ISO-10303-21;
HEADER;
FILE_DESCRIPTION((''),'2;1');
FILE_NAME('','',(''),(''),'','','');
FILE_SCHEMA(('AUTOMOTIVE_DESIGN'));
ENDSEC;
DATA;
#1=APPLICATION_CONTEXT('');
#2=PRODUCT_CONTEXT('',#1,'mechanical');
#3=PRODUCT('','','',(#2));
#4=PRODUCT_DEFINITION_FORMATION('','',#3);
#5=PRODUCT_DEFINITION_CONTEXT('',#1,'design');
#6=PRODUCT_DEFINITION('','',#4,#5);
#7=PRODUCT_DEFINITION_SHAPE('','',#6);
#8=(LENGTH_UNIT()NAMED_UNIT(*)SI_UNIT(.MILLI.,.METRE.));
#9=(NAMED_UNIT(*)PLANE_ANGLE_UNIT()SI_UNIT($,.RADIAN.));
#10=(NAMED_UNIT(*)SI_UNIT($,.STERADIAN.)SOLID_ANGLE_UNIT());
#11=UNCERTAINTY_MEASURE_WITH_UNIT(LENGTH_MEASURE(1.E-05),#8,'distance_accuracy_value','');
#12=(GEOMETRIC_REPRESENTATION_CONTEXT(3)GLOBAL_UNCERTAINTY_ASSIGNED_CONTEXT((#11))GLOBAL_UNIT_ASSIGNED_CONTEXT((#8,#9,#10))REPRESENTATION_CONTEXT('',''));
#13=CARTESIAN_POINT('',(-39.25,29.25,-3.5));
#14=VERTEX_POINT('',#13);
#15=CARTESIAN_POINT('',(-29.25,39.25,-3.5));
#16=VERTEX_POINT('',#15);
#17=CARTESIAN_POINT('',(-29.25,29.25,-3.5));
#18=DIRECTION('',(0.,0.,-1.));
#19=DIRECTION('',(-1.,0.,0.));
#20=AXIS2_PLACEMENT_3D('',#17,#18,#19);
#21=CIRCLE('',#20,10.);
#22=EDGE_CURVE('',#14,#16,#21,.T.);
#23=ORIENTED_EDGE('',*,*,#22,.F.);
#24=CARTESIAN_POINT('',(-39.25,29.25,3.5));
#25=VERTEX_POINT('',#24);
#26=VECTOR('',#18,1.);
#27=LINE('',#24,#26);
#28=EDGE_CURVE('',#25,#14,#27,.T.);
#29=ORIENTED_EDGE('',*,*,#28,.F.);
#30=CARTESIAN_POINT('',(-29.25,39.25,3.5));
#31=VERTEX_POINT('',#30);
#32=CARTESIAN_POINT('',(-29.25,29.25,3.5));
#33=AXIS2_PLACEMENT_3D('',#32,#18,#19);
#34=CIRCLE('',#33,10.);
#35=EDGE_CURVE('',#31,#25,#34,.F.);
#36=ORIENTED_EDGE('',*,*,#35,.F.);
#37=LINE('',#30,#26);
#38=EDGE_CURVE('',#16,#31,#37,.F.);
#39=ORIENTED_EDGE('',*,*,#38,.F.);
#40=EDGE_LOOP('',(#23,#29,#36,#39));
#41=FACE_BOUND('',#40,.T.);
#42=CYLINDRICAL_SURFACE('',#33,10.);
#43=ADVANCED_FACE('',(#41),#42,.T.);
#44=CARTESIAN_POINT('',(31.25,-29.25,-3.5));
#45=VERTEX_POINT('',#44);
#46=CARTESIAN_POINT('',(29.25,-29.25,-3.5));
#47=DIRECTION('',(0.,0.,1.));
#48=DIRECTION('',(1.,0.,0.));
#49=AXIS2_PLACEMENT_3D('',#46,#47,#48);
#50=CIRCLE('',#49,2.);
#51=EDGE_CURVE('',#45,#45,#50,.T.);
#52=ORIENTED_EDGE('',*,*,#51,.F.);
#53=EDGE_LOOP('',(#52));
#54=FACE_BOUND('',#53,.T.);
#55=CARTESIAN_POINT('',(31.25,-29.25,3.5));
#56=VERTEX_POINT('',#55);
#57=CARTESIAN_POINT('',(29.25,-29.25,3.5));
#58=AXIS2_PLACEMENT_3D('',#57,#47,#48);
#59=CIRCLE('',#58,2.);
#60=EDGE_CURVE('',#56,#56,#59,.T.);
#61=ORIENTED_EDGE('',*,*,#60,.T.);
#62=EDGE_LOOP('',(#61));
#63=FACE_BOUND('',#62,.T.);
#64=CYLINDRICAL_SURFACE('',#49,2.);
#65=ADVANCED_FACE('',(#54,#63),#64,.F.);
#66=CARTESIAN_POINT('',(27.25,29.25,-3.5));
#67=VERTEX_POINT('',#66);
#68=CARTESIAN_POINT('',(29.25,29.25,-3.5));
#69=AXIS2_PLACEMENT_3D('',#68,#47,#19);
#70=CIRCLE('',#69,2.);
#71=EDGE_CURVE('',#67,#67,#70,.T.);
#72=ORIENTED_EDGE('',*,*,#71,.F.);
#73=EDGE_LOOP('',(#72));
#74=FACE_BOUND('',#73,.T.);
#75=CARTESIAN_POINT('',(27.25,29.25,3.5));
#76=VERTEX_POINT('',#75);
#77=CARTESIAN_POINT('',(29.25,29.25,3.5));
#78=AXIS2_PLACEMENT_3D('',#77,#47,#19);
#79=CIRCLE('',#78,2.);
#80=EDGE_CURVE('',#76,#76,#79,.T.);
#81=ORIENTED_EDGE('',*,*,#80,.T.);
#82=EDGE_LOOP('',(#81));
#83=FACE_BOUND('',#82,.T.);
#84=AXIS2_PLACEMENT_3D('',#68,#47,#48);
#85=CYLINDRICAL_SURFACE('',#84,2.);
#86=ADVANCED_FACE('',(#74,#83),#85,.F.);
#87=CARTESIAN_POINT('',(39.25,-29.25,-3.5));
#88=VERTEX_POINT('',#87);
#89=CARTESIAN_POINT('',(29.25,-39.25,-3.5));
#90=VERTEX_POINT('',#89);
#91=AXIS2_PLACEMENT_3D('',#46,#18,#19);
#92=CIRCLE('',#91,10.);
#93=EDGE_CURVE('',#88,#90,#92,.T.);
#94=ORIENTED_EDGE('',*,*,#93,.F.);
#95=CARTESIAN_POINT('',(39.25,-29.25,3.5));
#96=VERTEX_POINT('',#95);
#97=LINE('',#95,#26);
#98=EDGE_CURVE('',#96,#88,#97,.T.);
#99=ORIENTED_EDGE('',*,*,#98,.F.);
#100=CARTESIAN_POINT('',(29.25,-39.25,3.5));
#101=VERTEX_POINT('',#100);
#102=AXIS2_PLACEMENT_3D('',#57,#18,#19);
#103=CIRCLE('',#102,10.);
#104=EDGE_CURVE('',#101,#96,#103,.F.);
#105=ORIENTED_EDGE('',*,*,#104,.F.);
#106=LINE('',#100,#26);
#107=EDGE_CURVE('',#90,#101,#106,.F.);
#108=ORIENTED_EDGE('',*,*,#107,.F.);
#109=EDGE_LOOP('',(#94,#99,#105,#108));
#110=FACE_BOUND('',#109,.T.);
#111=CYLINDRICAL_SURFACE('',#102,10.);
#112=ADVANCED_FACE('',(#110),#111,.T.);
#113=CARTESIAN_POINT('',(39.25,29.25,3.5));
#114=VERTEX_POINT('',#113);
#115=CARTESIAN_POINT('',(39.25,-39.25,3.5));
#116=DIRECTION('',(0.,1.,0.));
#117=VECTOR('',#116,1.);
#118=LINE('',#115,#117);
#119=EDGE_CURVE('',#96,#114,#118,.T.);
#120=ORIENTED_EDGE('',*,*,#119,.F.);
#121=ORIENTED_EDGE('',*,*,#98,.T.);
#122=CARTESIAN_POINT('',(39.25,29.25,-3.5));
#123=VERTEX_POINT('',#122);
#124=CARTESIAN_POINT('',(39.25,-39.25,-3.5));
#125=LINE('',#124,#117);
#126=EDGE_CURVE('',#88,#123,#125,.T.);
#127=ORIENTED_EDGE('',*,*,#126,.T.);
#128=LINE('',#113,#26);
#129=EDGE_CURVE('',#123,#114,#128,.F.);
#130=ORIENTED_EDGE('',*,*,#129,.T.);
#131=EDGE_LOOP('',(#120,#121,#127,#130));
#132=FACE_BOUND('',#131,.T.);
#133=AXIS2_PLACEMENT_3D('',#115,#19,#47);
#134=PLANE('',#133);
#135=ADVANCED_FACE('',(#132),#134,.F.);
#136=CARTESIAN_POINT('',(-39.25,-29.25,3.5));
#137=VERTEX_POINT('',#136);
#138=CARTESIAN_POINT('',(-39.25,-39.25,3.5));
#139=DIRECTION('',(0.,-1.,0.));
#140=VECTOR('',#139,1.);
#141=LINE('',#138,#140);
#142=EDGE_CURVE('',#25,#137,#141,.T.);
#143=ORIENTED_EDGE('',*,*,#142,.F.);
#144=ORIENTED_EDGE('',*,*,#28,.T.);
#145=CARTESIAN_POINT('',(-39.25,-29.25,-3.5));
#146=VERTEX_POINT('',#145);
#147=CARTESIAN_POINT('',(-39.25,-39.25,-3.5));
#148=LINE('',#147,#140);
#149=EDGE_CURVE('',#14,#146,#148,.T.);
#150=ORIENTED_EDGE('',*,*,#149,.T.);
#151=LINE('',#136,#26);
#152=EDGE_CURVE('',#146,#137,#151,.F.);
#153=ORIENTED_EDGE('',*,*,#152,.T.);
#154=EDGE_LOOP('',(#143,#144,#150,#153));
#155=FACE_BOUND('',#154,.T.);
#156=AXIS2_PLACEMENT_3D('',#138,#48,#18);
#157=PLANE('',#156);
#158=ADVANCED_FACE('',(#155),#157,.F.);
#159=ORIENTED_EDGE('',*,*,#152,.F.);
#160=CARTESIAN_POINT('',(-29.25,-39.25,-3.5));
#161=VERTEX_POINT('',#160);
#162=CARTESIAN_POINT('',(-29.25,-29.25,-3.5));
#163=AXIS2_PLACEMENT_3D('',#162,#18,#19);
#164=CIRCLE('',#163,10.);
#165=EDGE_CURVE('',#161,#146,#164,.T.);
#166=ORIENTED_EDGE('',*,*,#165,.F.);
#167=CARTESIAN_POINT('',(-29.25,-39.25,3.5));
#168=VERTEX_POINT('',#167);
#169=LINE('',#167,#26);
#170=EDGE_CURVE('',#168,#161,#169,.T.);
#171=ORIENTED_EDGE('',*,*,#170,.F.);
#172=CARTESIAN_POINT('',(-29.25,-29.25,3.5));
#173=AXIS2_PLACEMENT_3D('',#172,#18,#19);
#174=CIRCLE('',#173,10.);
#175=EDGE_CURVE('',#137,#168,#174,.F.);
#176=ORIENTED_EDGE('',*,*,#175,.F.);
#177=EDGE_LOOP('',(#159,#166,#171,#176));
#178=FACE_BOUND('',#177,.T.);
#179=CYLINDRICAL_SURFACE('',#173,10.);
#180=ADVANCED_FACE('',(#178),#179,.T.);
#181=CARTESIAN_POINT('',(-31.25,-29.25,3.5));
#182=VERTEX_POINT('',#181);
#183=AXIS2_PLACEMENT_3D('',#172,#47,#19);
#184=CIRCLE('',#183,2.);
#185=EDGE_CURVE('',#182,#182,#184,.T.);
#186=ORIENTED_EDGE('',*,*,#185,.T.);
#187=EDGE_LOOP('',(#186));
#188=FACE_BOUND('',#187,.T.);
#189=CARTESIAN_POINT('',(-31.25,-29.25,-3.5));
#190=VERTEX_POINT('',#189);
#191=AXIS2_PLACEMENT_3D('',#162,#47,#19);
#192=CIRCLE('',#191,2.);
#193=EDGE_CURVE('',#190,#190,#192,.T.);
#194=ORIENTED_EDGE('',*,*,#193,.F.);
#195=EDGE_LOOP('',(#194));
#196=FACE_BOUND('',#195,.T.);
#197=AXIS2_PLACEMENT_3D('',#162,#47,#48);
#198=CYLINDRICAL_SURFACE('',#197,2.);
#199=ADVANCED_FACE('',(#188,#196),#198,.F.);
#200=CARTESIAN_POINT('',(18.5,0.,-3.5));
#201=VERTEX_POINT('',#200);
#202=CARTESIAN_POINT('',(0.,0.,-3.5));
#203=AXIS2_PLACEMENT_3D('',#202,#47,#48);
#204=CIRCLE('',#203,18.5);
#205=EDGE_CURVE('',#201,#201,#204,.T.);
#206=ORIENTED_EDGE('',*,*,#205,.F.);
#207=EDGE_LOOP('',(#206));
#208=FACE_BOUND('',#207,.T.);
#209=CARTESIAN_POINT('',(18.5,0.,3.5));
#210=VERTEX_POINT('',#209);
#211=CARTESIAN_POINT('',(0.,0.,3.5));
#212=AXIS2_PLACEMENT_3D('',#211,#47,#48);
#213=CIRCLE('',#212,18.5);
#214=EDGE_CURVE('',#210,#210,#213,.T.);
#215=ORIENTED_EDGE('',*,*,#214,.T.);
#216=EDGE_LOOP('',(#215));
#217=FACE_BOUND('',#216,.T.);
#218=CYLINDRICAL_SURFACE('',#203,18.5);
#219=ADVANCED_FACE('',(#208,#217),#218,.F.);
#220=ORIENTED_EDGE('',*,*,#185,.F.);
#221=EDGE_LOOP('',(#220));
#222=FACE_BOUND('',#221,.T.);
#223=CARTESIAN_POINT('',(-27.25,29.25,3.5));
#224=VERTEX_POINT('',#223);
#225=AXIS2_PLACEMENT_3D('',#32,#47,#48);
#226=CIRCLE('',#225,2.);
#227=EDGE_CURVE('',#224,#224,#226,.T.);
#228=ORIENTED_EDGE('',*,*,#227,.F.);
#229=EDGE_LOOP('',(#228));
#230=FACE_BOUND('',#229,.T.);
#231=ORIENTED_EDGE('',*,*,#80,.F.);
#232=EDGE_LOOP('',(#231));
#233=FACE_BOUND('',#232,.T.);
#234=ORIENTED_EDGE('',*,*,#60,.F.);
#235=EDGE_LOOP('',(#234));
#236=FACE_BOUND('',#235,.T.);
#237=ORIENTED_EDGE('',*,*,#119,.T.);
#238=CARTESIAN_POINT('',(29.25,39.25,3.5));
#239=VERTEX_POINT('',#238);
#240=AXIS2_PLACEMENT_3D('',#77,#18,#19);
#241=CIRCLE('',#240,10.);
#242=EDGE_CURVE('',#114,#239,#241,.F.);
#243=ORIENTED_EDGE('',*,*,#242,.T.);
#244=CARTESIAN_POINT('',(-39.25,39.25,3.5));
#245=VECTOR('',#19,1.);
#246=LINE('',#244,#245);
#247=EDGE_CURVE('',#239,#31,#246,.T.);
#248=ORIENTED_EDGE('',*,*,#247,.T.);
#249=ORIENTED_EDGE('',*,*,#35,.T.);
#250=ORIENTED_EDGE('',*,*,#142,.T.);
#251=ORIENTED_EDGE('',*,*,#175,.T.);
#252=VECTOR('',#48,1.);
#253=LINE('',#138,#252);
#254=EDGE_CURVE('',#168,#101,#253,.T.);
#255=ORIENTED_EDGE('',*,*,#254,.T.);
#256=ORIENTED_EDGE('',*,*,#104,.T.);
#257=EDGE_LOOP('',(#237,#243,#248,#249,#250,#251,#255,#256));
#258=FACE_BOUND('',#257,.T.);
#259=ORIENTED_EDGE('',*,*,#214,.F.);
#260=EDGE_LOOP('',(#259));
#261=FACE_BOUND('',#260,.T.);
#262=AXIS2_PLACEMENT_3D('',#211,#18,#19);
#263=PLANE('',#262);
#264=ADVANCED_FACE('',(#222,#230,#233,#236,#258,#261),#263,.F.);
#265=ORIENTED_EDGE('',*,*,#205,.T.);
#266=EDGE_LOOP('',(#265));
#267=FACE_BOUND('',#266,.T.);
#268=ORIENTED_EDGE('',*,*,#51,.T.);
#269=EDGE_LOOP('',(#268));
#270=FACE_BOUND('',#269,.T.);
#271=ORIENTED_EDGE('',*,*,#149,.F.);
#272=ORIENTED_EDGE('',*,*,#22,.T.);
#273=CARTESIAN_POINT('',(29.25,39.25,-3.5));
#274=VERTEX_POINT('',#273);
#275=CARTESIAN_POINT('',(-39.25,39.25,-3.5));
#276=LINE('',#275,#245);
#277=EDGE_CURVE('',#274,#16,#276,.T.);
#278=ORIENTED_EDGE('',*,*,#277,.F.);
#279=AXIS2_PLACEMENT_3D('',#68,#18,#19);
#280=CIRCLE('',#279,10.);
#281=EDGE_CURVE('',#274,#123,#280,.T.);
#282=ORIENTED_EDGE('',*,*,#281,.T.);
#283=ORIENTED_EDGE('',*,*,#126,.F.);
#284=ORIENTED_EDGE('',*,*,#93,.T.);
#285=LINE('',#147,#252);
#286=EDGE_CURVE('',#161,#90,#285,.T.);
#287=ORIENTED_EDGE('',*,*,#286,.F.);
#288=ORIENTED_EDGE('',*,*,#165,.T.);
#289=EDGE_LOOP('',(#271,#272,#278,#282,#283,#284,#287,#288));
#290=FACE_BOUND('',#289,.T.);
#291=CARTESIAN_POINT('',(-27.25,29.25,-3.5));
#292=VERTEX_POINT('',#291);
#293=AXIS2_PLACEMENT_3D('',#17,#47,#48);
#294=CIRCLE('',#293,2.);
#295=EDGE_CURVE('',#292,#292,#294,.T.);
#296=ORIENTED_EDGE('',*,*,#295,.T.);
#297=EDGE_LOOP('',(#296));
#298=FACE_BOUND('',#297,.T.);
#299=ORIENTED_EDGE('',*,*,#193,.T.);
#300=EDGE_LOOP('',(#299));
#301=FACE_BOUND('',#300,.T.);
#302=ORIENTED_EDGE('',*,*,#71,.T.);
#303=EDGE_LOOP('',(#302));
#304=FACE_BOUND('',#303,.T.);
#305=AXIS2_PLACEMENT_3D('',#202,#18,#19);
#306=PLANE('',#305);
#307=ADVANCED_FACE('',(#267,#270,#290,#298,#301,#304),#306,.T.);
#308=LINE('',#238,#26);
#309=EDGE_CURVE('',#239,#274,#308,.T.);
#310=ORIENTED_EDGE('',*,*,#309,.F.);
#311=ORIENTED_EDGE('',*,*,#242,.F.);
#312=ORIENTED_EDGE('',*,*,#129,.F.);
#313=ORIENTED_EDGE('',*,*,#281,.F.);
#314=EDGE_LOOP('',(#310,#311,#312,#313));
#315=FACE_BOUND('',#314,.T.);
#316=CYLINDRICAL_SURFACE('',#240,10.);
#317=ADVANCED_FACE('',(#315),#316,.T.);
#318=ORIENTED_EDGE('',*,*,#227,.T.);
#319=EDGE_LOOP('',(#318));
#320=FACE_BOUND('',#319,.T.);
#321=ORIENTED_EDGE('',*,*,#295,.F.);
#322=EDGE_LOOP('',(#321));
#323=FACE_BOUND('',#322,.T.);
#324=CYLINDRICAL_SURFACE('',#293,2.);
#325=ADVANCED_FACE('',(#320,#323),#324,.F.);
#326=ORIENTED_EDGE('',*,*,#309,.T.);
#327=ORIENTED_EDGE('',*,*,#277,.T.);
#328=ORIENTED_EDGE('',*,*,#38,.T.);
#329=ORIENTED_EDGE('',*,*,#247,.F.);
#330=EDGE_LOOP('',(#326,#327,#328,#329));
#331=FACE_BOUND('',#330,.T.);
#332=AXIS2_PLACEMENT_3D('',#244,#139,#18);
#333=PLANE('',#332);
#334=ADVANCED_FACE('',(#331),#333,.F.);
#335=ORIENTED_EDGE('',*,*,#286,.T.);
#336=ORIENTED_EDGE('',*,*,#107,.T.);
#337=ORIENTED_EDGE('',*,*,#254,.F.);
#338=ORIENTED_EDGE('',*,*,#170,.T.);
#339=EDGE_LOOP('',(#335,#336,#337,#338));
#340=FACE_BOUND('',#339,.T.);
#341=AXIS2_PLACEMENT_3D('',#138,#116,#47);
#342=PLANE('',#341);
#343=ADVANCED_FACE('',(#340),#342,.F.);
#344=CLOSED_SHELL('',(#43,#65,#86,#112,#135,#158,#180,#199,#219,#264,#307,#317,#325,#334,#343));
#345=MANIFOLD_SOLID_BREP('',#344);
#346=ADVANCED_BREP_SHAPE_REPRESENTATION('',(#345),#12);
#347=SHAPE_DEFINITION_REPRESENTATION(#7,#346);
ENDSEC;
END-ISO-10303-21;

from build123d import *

# Parameters (mm, degrees)
SKETCH1_W           = 78.5
SKETCH1_H           = 78.5
BOSS_EXTRUDE1_DEPTH = 3.5
FILLET1_R           = 10
SKETCH2_R           = 2
CUT_EXTRUDE1_DEPTH  = 56.947520052
SKETCH3_R           = 18.5
CUT_EXTRUDE2_DEPTH  = 56.947520052


with BuildPart() as part:
    # Sketch1 → Boss-Extrude1 (new, symmetric)
    with BuildSketch(Plane.XY):
        Rectangle(SKETCH1_W, SKETCH1_H)
    extrude(amount=BOSS_EXTRUDE1_DEPTH, both=True)

    # Fillet1
    fillet1_edges = [part.edges().sort_by_distance(p)[0] for p in [
        (39.25, -39.25, 0),
        (-39.25, -39.25, 0),
        (-39.25, 39.25, 0),
        (39.25, 39.25, 0),
    ]]
    fillet(fillet1_edges, radius=FILLET1_R)

    # Sketch2 → Cut-Extrude1 (cut, through all)
    with BuildSketch(Plane.XY.offset(3.5)):
        with Locations((-29.25, 29.25)):
            Circle(SKETCH2_R)
        with Locations(Location((-29.25, -29.25, 0), (0, 0, 180))):
            Circle(SKETCH2_R)
        with Locations(Location((29.25, 29.25, 0), (0, 0, 180))):
            Circle(SKETCH2_R)
        with Locations((29.25, -29.25)):
            Circle(SKETCH2_R)
    extrude(amount=-CUT_EXTRUDE1_DEPTH, mode=Mode.SUBTRACT)

    # Sketch3 → Cut-Extrude2 (cut, through all)
    with BuildSketch(Plane.XY.offset(3.5)):
        Circle(SKETCH3_R)
    extrude(amount=-CUT_EXTRUDE2_DEPTH, mode=Mode.SUBTRACT)


solid = part.part
